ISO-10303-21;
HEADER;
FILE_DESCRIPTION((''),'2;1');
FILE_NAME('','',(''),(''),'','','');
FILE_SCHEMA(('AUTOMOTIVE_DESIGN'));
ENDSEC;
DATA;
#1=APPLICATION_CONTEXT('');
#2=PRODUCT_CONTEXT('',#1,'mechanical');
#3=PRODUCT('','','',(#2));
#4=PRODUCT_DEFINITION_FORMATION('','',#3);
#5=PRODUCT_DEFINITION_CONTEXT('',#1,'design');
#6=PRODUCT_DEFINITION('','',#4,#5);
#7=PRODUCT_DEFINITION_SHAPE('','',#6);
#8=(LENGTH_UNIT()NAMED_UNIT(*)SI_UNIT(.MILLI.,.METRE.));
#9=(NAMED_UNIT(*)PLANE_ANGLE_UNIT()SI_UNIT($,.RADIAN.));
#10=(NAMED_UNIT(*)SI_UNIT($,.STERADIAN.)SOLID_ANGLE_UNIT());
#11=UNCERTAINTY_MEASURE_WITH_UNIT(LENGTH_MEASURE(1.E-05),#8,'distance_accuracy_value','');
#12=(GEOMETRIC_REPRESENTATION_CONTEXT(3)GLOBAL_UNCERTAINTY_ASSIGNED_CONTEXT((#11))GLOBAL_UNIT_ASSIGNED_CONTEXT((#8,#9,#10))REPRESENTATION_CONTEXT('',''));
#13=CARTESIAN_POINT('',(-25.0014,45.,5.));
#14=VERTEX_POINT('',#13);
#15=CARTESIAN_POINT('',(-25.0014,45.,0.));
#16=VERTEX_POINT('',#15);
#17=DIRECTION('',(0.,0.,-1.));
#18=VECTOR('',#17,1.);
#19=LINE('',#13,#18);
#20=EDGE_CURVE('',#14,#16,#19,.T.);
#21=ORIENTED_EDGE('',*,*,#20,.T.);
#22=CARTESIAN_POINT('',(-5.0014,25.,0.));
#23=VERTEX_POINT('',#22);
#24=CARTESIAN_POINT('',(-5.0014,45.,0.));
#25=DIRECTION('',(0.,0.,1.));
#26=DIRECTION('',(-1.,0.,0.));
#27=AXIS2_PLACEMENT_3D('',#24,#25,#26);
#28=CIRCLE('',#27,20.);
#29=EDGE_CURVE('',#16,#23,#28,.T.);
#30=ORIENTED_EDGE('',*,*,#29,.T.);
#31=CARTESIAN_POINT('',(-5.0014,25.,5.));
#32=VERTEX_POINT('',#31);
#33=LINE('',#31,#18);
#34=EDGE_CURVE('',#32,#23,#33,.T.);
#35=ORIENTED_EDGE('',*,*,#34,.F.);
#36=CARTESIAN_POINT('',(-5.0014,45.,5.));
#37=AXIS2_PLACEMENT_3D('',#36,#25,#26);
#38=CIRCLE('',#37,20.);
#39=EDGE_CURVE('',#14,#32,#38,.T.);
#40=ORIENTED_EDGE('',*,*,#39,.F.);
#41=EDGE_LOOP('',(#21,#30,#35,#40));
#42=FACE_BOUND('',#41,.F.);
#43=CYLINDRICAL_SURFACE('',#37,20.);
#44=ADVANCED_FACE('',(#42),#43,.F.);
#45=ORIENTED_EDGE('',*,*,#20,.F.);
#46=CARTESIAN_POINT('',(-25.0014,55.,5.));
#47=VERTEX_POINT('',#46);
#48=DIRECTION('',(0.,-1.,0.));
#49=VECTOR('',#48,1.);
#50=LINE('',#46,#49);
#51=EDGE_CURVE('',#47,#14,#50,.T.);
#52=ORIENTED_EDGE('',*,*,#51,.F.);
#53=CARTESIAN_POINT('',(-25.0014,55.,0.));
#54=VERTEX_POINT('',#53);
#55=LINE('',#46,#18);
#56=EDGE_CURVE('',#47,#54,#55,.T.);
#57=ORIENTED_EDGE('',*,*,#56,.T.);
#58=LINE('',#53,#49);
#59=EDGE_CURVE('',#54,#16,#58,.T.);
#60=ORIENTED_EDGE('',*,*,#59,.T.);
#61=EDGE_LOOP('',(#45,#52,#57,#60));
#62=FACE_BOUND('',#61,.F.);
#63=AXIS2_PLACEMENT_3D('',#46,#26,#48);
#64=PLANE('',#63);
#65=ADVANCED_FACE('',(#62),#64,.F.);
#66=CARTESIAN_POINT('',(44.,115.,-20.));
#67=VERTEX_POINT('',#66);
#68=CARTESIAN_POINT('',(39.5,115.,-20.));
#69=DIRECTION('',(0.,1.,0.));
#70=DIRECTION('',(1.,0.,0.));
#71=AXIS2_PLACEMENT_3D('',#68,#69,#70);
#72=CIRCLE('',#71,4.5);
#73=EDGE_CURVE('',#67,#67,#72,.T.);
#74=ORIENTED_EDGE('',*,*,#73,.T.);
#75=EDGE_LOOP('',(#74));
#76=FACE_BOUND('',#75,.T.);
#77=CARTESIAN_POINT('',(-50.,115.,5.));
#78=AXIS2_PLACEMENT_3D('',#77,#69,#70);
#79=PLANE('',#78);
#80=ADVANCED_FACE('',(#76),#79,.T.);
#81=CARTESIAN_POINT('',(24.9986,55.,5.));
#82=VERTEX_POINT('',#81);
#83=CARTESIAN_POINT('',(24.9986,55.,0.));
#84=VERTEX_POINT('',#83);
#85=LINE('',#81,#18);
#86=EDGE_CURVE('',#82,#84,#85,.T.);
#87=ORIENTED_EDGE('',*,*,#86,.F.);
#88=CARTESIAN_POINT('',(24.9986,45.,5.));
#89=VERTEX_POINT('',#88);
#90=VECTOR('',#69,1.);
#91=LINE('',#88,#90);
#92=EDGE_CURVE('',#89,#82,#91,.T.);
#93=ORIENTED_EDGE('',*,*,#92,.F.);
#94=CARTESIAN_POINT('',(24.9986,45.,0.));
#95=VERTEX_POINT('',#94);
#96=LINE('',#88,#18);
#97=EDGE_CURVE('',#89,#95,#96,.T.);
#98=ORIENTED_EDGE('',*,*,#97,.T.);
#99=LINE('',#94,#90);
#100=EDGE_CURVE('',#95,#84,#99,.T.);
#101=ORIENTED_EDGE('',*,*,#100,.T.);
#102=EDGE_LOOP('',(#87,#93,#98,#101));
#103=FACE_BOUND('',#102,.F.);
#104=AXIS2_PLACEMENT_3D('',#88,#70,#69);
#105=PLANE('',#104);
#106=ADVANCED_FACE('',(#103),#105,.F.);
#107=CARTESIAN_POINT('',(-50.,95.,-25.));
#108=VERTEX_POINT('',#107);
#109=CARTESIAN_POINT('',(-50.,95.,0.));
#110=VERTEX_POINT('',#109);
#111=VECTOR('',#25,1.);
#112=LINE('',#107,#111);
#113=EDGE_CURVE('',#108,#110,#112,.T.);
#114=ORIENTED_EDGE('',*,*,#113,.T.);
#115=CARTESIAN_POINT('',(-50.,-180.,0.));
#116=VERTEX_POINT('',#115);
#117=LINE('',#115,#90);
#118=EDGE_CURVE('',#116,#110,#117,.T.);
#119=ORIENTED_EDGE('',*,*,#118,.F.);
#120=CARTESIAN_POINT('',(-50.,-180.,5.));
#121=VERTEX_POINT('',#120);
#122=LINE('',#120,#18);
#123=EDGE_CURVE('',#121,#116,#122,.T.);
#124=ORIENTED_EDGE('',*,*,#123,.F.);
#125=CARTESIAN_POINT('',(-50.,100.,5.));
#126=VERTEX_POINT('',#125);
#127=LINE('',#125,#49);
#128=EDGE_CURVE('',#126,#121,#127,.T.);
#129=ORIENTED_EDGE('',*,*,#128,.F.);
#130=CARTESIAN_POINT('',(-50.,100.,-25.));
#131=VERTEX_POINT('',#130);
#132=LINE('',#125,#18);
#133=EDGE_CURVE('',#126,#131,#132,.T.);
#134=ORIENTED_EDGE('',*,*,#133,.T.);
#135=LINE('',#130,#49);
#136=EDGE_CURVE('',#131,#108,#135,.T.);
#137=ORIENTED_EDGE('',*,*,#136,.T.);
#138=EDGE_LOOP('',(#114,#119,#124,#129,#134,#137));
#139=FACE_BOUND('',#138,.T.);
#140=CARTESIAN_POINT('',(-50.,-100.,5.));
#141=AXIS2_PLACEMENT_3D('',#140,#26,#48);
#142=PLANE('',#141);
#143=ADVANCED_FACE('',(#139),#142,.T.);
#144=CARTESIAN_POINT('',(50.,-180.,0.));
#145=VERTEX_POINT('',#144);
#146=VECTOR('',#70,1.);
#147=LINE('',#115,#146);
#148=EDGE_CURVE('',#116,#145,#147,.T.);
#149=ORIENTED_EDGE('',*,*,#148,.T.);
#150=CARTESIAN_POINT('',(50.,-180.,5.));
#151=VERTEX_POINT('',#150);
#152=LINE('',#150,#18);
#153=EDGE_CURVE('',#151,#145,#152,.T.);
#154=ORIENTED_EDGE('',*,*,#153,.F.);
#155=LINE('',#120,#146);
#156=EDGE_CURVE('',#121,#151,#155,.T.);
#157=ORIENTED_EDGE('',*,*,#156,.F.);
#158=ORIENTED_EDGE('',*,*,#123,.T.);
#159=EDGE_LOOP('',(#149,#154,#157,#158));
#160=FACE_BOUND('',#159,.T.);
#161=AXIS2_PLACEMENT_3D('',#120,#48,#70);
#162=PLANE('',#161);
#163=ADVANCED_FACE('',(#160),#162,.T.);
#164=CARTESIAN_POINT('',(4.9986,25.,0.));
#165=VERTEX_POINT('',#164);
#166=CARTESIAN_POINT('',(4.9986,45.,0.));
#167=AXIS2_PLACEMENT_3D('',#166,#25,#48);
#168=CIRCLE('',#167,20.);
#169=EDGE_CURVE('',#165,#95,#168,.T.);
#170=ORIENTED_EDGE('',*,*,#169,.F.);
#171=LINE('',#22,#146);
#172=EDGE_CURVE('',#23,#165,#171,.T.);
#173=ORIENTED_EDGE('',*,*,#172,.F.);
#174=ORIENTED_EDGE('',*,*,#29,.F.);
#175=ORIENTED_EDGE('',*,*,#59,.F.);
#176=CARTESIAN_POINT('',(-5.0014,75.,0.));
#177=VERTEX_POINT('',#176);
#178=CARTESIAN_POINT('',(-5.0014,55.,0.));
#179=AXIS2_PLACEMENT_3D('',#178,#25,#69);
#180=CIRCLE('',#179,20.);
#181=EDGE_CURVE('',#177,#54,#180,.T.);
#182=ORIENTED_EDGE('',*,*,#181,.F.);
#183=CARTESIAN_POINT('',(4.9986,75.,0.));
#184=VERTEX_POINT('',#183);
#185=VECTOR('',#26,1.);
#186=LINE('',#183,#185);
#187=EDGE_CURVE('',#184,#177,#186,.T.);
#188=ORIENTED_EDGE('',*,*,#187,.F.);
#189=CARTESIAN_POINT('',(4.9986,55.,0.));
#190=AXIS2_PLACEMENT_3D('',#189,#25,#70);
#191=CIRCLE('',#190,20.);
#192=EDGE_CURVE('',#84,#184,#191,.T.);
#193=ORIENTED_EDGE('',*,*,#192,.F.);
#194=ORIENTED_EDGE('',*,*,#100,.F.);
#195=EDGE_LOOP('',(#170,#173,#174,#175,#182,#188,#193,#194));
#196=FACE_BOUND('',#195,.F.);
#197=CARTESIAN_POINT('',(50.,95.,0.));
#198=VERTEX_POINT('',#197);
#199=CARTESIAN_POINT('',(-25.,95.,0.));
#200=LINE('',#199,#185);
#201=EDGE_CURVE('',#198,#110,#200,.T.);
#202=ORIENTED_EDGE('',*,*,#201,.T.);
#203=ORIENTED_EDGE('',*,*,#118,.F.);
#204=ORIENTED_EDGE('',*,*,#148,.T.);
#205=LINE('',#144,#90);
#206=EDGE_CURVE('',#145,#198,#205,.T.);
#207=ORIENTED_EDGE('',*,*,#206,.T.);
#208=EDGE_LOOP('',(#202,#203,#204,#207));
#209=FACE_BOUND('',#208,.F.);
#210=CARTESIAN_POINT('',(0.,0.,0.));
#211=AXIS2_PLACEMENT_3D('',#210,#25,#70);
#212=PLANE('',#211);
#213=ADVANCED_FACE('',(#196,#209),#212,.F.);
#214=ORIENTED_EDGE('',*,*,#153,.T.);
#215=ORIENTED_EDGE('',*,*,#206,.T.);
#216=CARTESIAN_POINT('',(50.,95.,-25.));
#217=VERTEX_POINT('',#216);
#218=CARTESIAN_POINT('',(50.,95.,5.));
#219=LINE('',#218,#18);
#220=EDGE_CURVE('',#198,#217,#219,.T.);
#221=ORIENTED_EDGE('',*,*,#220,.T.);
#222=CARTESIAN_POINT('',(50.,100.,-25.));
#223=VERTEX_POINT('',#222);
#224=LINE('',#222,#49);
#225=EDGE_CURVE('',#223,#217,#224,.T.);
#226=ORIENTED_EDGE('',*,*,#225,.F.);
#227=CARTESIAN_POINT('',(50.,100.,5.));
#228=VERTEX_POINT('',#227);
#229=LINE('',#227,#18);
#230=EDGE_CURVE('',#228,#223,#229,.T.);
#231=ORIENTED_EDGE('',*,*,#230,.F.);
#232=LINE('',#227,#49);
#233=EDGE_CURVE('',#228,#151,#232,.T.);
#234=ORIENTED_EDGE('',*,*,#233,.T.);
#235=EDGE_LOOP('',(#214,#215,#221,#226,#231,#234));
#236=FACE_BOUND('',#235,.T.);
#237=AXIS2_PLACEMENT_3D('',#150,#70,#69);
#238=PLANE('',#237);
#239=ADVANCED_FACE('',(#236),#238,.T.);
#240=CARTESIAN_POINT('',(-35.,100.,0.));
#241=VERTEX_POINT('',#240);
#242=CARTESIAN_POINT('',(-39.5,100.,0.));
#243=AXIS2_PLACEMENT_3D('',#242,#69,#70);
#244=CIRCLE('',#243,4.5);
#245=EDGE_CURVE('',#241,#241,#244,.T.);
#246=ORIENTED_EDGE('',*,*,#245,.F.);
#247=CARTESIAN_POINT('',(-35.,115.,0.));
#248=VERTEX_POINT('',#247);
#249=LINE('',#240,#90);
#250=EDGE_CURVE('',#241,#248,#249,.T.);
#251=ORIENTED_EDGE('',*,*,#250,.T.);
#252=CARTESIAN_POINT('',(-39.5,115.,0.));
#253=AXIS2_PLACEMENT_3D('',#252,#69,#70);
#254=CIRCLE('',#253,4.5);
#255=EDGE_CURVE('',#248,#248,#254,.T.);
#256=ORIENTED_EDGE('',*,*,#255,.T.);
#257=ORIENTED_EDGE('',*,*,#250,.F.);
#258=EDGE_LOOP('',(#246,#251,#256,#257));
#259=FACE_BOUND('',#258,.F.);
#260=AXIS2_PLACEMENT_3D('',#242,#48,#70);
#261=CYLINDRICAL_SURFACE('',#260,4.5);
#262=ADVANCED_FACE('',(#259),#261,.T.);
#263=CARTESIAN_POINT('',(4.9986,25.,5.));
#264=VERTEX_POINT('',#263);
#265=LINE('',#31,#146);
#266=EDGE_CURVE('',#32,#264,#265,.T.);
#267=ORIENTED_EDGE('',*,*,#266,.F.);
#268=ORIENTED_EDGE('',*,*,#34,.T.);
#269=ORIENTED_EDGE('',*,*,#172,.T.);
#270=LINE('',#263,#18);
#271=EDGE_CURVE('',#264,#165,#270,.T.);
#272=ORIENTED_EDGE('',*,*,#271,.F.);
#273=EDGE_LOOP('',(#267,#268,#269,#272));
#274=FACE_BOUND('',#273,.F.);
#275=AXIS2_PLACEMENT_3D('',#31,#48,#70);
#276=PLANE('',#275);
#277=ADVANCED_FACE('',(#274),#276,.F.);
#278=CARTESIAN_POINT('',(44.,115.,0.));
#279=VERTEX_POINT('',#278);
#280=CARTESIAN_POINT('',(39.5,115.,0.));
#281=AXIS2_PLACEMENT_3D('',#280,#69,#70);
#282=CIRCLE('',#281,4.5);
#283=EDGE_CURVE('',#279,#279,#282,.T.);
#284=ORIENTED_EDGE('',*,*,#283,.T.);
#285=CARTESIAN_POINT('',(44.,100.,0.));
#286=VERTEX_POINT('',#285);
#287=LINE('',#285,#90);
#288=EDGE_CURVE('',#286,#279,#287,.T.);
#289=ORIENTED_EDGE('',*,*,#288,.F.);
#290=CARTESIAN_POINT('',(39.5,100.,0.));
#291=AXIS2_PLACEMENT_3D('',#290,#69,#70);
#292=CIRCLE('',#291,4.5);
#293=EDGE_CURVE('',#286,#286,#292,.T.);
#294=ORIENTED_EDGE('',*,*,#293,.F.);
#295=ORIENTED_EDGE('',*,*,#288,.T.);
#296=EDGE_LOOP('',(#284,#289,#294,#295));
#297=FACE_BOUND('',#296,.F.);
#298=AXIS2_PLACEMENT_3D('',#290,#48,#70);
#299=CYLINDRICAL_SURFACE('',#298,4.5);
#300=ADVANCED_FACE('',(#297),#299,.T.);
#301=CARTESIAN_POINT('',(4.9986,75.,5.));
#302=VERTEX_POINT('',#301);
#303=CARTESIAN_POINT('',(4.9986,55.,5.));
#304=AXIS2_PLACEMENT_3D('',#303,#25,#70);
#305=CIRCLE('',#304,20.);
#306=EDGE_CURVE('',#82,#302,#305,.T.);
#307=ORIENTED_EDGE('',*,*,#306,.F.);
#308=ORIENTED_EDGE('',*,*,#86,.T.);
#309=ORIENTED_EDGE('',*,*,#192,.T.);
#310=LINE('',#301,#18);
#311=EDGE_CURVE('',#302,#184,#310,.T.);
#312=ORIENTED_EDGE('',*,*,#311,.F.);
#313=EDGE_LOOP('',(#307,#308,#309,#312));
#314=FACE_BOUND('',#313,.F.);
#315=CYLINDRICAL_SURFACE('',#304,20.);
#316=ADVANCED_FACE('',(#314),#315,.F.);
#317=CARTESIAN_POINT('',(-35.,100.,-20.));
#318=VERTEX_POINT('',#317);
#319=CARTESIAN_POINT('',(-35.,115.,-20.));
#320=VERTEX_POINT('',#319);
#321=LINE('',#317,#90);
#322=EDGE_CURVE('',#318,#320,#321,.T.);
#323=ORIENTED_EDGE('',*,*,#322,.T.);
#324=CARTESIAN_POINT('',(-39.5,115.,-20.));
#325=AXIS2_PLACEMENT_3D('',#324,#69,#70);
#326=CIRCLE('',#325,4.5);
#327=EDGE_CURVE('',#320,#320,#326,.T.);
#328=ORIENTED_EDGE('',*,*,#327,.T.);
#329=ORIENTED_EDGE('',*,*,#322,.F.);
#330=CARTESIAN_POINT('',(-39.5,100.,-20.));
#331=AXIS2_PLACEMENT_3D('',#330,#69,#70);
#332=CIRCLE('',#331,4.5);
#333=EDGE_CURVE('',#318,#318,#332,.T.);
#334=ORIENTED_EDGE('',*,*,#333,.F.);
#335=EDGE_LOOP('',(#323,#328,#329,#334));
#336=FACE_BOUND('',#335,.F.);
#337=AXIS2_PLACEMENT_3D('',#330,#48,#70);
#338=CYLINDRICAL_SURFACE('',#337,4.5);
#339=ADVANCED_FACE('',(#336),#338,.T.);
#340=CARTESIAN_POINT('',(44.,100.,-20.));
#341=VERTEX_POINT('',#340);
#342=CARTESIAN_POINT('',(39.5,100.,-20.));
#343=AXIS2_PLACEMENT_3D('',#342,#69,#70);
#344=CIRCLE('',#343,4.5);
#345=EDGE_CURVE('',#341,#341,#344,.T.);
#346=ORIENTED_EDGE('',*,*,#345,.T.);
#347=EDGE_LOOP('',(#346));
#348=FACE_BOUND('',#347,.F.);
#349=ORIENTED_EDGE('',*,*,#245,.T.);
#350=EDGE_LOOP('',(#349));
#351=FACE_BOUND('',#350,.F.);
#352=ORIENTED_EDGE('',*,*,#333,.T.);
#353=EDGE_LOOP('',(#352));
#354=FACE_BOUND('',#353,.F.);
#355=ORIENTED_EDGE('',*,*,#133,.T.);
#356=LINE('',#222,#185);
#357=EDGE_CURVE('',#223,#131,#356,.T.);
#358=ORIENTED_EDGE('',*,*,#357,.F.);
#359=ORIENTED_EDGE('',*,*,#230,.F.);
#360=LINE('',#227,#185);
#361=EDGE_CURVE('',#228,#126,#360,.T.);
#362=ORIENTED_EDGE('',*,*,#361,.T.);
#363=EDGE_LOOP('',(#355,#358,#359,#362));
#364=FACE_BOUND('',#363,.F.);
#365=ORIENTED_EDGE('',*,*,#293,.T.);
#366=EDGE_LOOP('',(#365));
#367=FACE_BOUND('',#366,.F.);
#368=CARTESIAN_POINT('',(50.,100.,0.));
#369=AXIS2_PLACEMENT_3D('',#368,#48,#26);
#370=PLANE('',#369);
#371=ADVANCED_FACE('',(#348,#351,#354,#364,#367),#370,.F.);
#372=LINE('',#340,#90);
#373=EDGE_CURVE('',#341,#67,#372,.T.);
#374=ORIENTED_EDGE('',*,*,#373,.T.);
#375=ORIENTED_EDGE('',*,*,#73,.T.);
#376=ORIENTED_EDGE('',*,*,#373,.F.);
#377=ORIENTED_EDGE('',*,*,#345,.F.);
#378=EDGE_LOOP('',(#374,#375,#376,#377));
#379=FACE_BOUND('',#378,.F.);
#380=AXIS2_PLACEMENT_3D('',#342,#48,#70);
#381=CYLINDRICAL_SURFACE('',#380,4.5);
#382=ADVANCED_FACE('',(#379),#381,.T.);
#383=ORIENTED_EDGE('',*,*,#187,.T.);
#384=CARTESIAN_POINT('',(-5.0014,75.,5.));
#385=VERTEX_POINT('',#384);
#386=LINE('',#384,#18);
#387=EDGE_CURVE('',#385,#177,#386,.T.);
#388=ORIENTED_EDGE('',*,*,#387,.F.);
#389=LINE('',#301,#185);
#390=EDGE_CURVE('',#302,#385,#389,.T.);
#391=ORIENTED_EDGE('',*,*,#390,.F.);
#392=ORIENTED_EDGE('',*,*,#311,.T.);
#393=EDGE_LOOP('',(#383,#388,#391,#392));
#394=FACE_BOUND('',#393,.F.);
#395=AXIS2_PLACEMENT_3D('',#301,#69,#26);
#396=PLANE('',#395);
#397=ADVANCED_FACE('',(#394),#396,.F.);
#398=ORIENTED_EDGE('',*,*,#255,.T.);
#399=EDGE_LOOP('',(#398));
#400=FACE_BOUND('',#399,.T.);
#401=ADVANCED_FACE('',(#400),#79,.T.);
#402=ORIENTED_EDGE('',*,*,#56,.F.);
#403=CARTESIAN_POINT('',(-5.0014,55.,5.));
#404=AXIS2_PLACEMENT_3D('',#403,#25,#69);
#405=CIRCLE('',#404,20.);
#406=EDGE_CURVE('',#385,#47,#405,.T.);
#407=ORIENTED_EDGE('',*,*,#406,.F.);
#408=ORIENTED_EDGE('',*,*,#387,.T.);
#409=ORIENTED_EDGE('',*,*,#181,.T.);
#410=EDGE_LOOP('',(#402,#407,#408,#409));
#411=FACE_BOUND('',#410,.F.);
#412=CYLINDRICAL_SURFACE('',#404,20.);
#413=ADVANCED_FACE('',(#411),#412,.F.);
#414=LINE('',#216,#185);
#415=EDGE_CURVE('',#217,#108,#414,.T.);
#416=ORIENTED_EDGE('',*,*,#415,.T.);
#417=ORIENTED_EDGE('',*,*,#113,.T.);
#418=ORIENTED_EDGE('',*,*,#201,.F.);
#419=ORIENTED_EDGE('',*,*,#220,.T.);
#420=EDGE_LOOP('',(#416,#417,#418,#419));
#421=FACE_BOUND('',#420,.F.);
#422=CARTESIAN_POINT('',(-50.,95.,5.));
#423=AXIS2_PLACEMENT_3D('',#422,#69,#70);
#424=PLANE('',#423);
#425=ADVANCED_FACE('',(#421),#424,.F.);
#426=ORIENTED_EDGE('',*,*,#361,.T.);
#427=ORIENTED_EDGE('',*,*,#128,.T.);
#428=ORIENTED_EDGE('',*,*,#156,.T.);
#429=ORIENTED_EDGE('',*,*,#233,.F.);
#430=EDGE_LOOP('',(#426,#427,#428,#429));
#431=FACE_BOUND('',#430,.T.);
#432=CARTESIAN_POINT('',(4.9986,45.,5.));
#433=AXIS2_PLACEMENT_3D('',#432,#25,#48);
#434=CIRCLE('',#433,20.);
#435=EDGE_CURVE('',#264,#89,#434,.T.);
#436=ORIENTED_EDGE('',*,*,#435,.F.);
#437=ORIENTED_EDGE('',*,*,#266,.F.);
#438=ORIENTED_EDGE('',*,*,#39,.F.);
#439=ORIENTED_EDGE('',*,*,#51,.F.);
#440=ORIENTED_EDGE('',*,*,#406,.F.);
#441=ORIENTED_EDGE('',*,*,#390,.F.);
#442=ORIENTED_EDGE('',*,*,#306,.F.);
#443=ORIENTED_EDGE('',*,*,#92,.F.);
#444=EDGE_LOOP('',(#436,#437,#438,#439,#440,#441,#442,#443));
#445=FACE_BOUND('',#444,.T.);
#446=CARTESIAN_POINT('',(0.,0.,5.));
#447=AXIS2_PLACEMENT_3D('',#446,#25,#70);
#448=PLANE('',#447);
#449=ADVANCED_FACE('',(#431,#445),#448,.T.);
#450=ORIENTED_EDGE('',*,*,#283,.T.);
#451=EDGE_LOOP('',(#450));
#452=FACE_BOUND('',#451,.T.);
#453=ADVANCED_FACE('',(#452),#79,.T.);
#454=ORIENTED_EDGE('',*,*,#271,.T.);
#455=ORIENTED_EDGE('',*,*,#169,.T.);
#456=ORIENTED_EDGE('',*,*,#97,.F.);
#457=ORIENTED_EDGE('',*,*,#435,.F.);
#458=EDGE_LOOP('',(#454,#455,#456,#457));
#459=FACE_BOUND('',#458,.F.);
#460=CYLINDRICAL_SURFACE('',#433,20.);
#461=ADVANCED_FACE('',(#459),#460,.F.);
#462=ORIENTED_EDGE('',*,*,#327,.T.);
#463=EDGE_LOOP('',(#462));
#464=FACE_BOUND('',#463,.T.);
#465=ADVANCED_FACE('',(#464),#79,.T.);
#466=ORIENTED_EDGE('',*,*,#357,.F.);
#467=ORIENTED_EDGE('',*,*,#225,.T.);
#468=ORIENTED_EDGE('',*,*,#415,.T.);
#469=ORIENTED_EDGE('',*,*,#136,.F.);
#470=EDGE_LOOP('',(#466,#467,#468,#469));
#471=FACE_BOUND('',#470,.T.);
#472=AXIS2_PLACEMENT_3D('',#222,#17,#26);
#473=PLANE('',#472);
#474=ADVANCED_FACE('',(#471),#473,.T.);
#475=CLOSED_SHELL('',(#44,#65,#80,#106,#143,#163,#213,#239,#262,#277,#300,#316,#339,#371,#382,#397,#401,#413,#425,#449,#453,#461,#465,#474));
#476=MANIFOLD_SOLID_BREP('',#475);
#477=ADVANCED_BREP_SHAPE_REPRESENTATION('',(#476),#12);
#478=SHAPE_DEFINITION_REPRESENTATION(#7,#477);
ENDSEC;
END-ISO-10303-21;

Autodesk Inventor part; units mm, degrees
ref_plane "YZ Plane" through (0, 0, 0) normal (1, 0, 0) x (0, 1, 0)
ref_plane "XZ Plane" through (0, 0, 0) normal (0, 1, 0) x (-1, 0, 0)
ref_plane "XY Plane" through (0, 0, 0) normal (0, 0, 1) x (1, 0, 0)
sketch "Sketch1" plane through (0, 0, 0) normal (0, 0, 1) x (1, 0, 0)
  line L0 (-50, -100) -> (50, -100)
  line L1 (50, -100) -> (50, 100)
  line L2 (50, 100) -> (-50, 100)
  line L3 (-50, 100) -> (-50, -100)
  line L4 (-50, -100) -> (50, 100) construction
  line L5 (50, -100) -> (-50, 100) construction
  point P0 (0, 0)
  dimension "d0" = 100
  dimension "d1" = 200
extrude "Extrusion1" add sketch "Sketch1" along normal blind 5
sketch "Sketch6" plane through (0, 0, 5) normal (0, 0, 1) x (1, 0, 0)
  line L0 (4.9986, 75) -> (-5.0014, 75)
  line L1 (-25.0014, 55) -> (-25.0014, 45)
  line L2 (-5.0014, 25) -> (4.9986, 25)
  line L3 (24.9986, 45) -> (24.9986, 55)
  line L4 (24.9986, 75) -> (-25.0014, 25) construction
  line L5 (-25.0014, 75) -> (24.9986, 25) construction
  arc A0 (4.9986, 25) -> (24.9986, 45) centre (4.9986, 45) ccw
  arc A1 (24.9986, 55) -> (4.9986, 75) centre (4.9986, 55) ccw
  arc A2 (-5.0014, 75) -> (-25.0014, 55) centre (-5.0014, 55) ccw
  arc A3 (-25.0014, 45) -> (-5.0014, 25) centre (-5.0014, 45) ccw
  point P0 (0, 0)
  point P1 (-0.0014, 50)
  dimension "d21" = 50
  dimension "d22" = 50
  dimension "d23" = 20
extrude "Extrusion6" cut sketch "Sketch6" against normal blind 5
sketch "Sketch15" plane through (-50, 100, 5) normal (0, 1, 0) x (1, 0, 0)
  line L0 (100, 0) -> (0, 0) projected
  line L1 (0, 0) -> (100, 0)
  line L2 (100, 0) -> (100, 30)
  line L3 (100, 30) -> (0, 30)
  line L4 (0, 30) -> (0, 0)
  point P0 (50, 5)
  dimension "d46" = 100
  dimension "d47" = 30
sketch "Sketch16" plane through (-50, 100, 5) normal (0, 1, 0) x (1, 0, 0)
  circle A0 centre (10.5, 5) radius 4.5
  circle A1 centre (89.5, 5) radius 4.5
  circle A2 centre (10.5, 25) radius 4.5
  circle A3 centre (89.5, 25) radius 4.5
  point P0 (50, 5)
  dimension "d48" = 9
  dimension "d49" = 9
  dimension "d50" = 9
  dimension "d51" = 9
extrude "Extrusion11" add sketch "Sketch15" against normal blind 5
extrude "Extrusion12" add sketch "Sketch16" along normal blind 15
sketch "Sketch21" plane through (0, 0, 5) normal (0, 0, 1) x (1, 0, 0)
  line L0 (50, -100) -> (50, 100) projected
  line L1 (50, -100) -> (-50, -100)
  line L2 (-50, -100) -> (-50, -180)
  line L3 (-50, -180) -> (50, -180)
  line L4 (50, -180) -> (50, -100)
  point P0 (0, 0)
  dimension "d66" = 100
  dimension "d67" = 80
extrude "Extrusion17" add sketch "Sketch21" against normal blind 5
properties part number "fixation_v04"
